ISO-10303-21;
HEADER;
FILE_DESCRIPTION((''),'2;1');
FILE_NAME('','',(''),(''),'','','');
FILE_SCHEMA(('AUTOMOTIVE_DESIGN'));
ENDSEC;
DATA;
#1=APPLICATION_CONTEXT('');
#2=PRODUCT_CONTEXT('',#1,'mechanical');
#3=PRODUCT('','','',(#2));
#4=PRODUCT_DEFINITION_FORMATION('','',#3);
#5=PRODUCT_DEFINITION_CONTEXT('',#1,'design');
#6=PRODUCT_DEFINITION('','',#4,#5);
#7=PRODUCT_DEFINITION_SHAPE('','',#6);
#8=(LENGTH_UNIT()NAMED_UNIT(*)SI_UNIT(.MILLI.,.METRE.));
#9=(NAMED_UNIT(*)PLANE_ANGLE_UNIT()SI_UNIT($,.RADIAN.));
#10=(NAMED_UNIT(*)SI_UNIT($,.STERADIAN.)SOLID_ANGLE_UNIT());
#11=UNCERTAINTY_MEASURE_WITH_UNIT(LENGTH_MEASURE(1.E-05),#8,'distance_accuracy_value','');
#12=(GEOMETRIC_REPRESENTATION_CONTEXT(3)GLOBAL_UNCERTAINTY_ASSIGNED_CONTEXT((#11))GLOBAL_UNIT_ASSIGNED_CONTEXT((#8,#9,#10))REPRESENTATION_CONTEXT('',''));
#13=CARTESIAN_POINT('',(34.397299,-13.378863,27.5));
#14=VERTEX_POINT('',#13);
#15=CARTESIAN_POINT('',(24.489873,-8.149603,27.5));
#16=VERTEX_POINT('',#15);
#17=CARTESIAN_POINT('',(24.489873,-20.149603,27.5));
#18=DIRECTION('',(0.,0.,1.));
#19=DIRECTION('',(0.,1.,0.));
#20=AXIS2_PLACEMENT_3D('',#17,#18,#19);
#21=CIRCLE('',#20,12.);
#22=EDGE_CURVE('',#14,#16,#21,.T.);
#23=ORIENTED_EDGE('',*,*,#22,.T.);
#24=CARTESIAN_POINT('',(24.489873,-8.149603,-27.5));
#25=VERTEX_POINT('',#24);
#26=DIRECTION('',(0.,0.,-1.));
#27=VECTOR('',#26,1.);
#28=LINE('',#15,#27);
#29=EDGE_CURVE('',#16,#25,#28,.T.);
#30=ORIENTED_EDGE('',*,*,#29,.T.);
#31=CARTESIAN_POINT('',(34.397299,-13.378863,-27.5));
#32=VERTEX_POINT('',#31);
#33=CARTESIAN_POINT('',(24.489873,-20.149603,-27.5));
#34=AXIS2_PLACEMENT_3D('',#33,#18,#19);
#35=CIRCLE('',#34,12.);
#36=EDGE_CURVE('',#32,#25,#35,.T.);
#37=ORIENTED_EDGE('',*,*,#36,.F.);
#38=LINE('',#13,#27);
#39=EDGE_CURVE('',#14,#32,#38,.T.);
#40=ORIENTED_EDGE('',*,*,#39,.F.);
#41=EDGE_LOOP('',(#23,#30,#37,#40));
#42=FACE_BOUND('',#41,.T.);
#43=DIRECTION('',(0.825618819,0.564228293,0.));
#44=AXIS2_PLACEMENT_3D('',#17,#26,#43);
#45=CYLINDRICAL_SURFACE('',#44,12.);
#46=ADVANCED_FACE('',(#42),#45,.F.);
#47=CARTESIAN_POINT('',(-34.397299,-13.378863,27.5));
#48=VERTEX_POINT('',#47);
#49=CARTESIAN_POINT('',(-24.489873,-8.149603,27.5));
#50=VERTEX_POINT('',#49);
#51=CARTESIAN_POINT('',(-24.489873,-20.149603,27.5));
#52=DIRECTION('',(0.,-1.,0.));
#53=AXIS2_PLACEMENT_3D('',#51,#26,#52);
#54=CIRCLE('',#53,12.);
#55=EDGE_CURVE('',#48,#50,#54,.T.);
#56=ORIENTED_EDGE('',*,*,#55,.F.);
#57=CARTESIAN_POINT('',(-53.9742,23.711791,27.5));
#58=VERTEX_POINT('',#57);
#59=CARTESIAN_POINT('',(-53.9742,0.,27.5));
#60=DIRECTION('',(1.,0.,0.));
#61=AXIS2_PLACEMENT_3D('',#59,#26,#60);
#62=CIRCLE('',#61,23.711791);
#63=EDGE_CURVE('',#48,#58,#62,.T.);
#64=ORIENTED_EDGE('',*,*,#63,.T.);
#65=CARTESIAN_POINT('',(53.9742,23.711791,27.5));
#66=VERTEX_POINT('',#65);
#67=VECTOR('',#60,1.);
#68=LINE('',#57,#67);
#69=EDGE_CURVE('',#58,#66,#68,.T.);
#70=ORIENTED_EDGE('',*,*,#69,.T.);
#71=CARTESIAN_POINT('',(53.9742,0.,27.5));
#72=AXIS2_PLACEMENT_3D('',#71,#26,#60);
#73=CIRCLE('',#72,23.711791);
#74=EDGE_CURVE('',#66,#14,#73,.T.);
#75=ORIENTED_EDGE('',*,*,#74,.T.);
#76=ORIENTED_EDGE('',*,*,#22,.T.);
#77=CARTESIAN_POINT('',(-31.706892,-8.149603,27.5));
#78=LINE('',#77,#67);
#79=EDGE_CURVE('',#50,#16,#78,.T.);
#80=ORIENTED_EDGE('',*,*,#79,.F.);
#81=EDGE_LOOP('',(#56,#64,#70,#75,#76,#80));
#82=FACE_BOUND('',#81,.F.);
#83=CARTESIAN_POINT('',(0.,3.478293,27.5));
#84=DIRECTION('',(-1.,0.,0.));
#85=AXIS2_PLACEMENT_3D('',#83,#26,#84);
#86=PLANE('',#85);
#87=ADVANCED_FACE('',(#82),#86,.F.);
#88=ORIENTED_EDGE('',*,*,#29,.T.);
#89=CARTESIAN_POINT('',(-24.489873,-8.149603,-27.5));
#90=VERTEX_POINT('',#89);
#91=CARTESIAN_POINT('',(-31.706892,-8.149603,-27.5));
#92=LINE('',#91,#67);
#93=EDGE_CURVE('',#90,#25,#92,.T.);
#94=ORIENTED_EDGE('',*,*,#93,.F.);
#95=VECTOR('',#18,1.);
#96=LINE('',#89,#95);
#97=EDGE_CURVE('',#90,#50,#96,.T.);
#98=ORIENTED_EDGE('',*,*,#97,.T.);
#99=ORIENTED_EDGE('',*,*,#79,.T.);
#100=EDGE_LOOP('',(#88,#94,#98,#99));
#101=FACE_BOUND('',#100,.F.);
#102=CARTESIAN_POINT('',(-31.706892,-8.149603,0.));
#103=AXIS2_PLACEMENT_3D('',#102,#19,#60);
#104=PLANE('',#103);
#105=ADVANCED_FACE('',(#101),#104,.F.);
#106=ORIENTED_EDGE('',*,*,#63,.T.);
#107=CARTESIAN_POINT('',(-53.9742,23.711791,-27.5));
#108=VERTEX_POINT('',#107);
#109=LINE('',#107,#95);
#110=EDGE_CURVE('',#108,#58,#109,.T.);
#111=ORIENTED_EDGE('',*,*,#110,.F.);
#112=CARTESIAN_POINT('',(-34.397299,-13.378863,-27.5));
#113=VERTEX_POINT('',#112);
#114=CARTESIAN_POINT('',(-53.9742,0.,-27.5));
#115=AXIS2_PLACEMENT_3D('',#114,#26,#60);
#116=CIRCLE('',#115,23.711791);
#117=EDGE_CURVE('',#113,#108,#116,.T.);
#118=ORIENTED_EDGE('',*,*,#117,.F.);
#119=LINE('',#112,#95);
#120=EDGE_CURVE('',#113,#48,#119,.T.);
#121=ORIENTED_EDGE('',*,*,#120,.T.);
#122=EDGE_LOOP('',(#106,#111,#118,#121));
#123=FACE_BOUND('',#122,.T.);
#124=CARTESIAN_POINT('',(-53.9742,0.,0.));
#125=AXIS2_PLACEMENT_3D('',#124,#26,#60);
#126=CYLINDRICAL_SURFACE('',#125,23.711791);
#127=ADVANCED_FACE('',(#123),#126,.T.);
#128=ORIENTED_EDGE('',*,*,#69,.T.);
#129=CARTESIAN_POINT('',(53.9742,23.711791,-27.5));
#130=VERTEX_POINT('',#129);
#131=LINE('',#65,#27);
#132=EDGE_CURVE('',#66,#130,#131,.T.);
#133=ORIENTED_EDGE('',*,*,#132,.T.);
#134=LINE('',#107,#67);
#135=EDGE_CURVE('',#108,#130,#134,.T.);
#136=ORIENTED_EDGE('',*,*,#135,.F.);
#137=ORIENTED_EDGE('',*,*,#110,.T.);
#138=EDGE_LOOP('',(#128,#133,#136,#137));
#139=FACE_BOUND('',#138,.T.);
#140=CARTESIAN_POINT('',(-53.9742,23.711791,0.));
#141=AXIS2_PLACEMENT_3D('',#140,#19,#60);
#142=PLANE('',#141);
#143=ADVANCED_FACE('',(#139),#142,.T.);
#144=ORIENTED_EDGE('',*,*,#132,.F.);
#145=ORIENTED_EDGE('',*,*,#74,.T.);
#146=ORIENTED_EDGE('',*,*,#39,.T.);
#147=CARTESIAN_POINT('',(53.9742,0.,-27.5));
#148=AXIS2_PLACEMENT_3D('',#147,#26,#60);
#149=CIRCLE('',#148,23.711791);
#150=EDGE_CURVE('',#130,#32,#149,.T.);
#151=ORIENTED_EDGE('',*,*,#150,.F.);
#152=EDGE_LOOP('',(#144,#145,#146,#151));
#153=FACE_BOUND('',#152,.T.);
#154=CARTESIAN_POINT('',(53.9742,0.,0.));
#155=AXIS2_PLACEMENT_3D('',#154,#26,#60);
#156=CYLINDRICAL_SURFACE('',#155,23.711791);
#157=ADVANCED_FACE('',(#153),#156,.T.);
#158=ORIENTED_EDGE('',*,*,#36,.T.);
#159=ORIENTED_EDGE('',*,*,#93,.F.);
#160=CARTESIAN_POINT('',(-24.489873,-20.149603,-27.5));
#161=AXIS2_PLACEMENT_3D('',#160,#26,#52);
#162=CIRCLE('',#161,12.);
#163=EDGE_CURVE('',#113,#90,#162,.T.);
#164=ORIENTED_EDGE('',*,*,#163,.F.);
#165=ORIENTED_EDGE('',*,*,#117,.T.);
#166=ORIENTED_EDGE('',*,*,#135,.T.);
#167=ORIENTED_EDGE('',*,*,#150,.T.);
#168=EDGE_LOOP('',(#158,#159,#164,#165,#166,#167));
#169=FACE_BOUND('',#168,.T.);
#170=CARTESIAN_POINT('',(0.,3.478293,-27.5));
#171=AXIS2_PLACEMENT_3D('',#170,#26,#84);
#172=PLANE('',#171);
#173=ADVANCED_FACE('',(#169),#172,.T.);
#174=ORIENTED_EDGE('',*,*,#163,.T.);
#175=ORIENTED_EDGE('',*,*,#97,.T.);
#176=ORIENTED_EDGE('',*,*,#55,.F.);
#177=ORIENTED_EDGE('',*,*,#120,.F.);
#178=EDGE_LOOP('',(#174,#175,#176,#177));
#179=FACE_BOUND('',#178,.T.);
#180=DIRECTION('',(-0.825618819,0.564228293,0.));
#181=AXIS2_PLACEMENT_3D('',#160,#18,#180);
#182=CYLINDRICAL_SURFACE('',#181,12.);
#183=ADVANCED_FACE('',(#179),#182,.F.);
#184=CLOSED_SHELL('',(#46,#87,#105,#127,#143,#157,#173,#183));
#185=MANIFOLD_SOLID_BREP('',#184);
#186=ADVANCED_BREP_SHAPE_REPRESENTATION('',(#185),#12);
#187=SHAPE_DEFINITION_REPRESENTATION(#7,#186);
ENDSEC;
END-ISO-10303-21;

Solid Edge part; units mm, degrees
sketch "Sketch1" plane through (0, 0, 0) normal (0, 0, 1) x (1, 0, 0)
  line L0 (-53.9742, 23.7118) -> (53.9742, 23.7118)
  line L1 (-31.7069, -8.1496) -> (31.7069, -8.1496)
  arc A0 (-31.7069, -8.1496) -> (-53.9742, 23.7118) centre (-53.9742, 0) cw
  arc A1 (53.9742, 23.7118) -> (31.7069, -8.1496) centre (53.9742, 0) cw
extrude "Protrusion1" add sketch "Sketch1" along normal mid plane 55
fillet "Round_1" radius 12 2 edges at (-31.7069, -8.1496, 0) (31.7069, -8.1496, 0)
